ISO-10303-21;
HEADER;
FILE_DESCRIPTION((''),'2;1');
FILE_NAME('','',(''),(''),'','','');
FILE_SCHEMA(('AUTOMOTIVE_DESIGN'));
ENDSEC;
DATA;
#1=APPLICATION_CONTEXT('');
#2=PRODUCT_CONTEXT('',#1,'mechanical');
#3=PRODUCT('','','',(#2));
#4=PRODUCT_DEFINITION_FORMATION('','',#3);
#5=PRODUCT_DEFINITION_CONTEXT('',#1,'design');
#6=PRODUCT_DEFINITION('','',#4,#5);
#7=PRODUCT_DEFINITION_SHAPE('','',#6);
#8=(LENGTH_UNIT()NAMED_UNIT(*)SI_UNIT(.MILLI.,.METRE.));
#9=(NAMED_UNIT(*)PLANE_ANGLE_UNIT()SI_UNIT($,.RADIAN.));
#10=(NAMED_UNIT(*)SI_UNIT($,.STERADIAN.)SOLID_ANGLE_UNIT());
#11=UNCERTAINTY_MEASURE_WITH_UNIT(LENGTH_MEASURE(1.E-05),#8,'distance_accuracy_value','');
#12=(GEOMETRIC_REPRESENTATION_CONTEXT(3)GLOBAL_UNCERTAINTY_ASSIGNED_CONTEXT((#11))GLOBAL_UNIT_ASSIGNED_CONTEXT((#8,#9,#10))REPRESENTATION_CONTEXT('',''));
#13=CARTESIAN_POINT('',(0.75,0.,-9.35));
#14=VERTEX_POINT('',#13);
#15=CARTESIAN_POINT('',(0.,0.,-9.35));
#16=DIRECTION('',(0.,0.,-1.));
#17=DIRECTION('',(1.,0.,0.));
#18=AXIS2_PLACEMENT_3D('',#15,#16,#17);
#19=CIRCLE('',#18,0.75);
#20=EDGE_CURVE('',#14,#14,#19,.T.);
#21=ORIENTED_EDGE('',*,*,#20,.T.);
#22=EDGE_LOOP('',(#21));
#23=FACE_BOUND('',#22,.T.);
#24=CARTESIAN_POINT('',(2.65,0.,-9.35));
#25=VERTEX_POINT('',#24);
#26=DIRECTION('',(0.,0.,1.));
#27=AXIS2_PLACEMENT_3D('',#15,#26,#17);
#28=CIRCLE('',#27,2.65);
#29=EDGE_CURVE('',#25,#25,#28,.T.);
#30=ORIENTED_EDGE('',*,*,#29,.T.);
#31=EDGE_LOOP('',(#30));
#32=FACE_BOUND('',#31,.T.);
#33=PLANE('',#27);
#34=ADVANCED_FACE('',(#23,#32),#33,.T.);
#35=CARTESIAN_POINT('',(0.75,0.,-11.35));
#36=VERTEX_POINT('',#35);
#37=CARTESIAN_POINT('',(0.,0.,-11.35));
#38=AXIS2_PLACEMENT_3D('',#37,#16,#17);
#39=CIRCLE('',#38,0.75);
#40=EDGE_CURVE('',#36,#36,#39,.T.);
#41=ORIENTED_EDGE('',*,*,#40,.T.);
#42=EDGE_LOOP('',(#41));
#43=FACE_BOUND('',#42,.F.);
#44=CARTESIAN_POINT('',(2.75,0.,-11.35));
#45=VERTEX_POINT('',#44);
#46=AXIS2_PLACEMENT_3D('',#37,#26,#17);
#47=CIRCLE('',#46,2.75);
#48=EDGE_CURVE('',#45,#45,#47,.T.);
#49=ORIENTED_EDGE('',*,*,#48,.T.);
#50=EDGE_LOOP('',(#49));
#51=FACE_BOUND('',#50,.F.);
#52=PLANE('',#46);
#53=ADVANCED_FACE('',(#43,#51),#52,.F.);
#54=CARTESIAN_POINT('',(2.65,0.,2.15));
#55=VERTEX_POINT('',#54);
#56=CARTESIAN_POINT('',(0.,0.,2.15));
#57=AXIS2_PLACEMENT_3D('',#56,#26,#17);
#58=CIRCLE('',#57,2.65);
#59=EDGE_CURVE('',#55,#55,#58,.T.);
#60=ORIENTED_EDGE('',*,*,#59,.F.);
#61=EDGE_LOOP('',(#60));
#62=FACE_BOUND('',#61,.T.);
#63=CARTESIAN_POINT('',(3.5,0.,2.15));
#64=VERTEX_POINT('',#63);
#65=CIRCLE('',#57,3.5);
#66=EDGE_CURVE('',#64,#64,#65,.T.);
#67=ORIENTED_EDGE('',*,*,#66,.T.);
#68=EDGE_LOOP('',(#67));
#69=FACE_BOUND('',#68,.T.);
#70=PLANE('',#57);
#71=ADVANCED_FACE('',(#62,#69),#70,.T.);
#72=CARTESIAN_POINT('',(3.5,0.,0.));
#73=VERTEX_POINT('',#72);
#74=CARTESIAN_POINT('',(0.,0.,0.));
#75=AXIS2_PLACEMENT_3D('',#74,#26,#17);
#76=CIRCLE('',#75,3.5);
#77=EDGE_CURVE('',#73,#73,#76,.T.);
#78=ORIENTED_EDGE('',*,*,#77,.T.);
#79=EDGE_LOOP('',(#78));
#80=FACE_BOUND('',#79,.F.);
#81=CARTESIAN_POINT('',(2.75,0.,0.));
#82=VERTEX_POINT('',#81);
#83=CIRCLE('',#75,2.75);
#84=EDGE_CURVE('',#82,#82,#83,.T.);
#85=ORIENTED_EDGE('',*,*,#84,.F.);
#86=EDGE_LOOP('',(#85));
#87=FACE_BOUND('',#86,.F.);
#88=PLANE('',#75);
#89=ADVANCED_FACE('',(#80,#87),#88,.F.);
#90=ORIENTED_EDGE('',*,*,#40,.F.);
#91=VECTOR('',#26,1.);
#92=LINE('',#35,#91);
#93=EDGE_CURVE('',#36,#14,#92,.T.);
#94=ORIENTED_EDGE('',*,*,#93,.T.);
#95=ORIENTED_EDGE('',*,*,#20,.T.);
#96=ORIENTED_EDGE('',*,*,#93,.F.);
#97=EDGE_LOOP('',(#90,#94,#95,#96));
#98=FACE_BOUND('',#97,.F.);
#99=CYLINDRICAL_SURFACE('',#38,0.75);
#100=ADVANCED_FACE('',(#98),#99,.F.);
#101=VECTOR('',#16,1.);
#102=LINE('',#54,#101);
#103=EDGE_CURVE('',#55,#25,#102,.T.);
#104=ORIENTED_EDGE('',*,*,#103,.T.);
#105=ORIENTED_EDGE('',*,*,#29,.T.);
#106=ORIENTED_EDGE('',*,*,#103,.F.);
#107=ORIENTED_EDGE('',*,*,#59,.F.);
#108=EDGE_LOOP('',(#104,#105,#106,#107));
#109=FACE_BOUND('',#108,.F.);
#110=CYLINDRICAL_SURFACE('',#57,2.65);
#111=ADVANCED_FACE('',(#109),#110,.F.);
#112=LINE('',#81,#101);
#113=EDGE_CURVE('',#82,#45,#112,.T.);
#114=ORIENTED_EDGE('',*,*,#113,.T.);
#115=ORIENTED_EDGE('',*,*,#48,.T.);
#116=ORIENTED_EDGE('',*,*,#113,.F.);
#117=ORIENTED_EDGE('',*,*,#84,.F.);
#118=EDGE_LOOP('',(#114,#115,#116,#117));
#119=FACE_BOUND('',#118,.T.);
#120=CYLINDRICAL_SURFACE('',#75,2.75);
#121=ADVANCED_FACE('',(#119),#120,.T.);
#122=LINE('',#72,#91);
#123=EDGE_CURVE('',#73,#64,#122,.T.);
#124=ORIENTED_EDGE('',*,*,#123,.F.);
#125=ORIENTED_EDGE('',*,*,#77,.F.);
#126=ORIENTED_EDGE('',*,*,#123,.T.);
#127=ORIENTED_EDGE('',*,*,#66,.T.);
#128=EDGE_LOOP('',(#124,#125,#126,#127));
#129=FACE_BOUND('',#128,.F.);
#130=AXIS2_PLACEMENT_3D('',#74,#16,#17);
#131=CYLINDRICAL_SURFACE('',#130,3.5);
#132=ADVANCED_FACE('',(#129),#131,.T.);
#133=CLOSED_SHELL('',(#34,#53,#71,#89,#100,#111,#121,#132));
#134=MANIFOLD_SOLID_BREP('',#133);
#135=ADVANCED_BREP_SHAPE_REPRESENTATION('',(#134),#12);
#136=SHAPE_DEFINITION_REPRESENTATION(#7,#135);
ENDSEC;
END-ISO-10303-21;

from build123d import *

# Parameters (mm, degrees)
F0_R     = 3.5
F1_DEPTH = 2.15
F2_R     = 2.75
F3_DEPTH = 11.35
F4_R     = 2.65
F5_DEPTH = 11.5
F6_R     = 0.75
F7_DEPTH = 13.501


with BuildPart() as f1:
    # F0 (on Top) → F1 (new body)
    with BuildSketch(Plane.XY):
        Circle(F0_R)
    extrude(amount=F1_DEPTH)

    # F2 (on Top) → F3 (join)
    with BuildSketch(Plane.XY):
        Circle(F2_R)
    extrude(amount=-F3_DEPTH)

    # F4 (on face) → F5 (cut)
    with BuildSketch(Plane.XY.offset(2.15)):
        Circle(F4_R)
    extrude(amount=-F5_DEPTH, mode=Mode.SUBTRACT)

    # F6 (on face) → F7 (cut, through all)
    with BuildSketch(Plane(origin=(0, 0, -11.35), x_dir=(1, 0, 0), z_dir=(0, 0, -1))):
        Circle(F6_R)
    extrude(amount=-F7_DEPTH, mode=Mode.SUBTRACT)


solid = f1.part
